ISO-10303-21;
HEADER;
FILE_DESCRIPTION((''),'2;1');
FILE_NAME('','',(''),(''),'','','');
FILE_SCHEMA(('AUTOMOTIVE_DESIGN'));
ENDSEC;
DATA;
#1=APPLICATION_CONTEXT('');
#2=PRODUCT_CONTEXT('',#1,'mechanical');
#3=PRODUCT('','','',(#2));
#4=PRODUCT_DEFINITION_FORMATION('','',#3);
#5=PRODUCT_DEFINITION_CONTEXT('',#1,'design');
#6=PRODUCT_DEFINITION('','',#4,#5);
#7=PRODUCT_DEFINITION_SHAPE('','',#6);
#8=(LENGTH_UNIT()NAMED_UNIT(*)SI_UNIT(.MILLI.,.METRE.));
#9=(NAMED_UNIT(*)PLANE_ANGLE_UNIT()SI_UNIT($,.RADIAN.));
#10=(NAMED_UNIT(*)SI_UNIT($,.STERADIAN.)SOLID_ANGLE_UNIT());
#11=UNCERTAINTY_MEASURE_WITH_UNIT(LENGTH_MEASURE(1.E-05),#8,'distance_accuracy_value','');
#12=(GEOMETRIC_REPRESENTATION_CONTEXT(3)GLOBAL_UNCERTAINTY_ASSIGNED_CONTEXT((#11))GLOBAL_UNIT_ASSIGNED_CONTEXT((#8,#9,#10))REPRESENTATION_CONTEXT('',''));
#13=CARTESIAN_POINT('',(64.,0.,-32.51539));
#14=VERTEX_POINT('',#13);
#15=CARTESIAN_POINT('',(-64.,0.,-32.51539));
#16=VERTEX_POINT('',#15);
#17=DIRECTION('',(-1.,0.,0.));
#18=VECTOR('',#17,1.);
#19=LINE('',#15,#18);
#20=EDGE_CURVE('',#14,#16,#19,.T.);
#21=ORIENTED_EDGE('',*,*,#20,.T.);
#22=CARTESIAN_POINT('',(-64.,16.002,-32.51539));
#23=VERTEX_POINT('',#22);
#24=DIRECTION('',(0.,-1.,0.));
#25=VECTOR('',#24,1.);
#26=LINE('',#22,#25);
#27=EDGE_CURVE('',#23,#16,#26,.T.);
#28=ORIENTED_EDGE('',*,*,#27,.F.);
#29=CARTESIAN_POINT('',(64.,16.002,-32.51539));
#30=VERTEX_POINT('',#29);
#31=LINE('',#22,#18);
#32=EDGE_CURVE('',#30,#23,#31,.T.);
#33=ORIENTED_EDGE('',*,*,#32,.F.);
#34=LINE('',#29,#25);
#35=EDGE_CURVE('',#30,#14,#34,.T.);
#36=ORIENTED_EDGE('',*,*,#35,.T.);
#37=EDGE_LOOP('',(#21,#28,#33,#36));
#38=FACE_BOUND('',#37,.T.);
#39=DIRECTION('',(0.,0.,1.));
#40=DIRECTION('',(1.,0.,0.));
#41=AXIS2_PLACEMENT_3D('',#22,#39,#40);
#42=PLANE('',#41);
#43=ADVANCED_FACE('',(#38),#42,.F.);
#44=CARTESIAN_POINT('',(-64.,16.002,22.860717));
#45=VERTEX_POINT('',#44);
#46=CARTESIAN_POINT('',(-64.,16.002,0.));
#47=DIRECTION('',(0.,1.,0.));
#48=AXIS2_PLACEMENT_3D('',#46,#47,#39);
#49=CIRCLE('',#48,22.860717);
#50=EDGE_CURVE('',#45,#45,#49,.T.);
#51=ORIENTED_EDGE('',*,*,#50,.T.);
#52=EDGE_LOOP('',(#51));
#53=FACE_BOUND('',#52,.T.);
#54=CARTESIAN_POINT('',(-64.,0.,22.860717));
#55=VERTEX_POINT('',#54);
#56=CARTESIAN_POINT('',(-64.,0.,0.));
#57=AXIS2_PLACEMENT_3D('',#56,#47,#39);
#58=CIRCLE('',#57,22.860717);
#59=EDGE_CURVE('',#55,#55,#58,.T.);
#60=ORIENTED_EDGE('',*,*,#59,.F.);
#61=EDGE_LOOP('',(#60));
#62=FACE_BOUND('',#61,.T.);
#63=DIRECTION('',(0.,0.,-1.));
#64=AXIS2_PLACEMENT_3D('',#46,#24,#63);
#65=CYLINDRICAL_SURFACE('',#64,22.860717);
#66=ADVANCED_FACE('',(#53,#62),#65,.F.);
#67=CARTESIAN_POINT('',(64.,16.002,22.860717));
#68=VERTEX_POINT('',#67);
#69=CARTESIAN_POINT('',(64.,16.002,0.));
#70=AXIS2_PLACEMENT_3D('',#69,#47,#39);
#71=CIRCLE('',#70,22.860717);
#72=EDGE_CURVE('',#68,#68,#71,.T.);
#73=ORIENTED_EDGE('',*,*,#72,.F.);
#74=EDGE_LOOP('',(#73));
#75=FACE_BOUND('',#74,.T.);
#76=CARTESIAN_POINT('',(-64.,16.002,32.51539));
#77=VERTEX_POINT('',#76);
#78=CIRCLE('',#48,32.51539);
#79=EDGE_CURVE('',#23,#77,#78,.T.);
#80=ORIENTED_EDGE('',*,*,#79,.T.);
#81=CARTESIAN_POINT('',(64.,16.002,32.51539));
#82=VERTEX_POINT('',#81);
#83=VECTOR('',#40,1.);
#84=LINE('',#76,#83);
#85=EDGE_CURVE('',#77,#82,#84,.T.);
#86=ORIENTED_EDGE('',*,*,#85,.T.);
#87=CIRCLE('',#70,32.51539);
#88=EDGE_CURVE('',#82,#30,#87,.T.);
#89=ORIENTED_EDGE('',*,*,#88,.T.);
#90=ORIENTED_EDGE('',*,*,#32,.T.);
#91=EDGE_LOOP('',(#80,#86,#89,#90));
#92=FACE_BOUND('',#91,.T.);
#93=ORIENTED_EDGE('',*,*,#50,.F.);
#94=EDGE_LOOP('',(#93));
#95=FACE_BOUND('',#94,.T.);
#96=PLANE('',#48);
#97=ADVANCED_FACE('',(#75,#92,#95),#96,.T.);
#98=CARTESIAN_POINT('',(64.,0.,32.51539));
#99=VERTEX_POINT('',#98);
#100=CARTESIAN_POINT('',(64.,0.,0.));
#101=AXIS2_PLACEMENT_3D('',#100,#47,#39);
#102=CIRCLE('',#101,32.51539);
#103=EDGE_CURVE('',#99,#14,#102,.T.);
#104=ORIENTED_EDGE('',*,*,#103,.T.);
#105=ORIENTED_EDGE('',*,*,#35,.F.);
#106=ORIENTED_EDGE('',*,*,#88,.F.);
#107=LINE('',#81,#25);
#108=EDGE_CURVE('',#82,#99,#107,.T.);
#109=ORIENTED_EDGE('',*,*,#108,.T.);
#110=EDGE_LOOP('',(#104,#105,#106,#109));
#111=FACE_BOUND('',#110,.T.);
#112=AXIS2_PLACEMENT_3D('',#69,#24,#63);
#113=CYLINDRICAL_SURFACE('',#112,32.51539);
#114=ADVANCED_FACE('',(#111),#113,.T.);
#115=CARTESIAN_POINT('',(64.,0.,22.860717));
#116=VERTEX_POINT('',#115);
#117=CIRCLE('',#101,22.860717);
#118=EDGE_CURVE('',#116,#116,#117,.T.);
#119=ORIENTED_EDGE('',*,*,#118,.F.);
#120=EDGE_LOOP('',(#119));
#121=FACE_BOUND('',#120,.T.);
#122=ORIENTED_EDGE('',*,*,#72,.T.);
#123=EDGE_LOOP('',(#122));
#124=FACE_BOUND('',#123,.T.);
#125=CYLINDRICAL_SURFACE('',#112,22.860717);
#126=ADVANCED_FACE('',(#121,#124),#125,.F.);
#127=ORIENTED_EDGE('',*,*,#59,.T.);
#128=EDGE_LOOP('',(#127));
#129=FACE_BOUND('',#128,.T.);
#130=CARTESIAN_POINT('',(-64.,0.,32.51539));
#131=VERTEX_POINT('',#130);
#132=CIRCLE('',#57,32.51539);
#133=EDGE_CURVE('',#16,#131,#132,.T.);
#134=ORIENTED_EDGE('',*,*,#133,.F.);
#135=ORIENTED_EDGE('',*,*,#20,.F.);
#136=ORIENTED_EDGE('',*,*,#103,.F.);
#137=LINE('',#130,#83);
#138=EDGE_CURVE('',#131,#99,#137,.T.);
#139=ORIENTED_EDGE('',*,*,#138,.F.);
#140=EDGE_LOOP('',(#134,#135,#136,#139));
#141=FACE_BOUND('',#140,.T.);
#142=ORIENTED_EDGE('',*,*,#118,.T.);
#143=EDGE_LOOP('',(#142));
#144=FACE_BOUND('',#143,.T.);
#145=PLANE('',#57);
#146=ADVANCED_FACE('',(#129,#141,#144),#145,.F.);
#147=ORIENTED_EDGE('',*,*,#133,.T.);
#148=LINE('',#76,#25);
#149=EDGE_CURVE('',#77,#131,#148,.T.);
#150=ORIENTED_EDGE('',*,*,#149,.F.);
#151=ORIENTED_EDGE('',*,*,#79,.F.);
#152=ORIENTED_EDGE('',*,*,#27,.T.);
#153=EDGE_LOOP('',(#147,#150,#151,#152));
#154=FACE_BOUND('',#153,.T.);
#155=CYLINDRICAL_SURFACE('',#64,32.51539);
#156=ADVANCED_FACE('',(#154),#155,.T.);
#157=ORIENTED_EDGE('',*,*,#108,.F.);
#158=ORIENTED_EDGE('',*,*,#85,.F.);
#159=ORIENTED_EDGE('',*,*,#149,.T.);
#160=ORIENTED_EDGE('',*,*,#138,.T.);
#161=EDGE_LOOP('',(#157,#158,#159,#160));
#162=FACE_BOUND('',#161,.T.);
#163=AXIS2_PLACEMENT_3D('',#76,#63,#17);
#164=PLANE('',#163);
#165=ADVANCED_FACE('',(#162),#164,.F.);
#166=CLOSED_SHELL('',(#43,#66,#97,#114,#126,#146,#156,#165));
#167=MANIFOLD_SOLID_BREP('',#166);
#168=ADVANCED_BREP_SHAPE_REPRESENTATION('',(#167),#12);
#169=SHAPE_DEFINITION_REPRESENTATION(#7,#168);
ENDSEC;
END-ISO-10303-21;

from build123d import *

# Parameters (mm, degrees)
SKETCH1_R           = 22.860716869
BOSS_EXTRUDE1_DEPTH = 16.002


with BuildPart() as part:
    # Sketch1 → Boss-Extrude1 (new body)
    with BuildSketch(Plane(origin=(0, 0, 0), x_dir=(1, 0, 0), z_dir=(0, 1, 0))):
        with BuildLine():
            Line((-64, 32.51538958), (64, 32.51538958))
            ThreePointArc((64, 32.51538958), (96.51538958, 0), (64, -32.51538958))
            Line((64, -32.51538958), (-64, -32.51538958))
            ThreePointArc((-64, -32.51538958), (-96.51538958, 0), (-64, 32.51538958))
        make_face()
        with Locations(Location((-64, 0, 0), (0, 0, 270))):
            Circle(SKETCH1_R, mode=Mode.SUBTRACT)
        with Locations(Location((64, 0, 0), (0, 0, 270))):
            Circle(SKETCH1_R, mode=Mode.SUBTRACT)
    extrude(amount=BOSS_EXTRUDE1_DEPTH)


solid = part.part
